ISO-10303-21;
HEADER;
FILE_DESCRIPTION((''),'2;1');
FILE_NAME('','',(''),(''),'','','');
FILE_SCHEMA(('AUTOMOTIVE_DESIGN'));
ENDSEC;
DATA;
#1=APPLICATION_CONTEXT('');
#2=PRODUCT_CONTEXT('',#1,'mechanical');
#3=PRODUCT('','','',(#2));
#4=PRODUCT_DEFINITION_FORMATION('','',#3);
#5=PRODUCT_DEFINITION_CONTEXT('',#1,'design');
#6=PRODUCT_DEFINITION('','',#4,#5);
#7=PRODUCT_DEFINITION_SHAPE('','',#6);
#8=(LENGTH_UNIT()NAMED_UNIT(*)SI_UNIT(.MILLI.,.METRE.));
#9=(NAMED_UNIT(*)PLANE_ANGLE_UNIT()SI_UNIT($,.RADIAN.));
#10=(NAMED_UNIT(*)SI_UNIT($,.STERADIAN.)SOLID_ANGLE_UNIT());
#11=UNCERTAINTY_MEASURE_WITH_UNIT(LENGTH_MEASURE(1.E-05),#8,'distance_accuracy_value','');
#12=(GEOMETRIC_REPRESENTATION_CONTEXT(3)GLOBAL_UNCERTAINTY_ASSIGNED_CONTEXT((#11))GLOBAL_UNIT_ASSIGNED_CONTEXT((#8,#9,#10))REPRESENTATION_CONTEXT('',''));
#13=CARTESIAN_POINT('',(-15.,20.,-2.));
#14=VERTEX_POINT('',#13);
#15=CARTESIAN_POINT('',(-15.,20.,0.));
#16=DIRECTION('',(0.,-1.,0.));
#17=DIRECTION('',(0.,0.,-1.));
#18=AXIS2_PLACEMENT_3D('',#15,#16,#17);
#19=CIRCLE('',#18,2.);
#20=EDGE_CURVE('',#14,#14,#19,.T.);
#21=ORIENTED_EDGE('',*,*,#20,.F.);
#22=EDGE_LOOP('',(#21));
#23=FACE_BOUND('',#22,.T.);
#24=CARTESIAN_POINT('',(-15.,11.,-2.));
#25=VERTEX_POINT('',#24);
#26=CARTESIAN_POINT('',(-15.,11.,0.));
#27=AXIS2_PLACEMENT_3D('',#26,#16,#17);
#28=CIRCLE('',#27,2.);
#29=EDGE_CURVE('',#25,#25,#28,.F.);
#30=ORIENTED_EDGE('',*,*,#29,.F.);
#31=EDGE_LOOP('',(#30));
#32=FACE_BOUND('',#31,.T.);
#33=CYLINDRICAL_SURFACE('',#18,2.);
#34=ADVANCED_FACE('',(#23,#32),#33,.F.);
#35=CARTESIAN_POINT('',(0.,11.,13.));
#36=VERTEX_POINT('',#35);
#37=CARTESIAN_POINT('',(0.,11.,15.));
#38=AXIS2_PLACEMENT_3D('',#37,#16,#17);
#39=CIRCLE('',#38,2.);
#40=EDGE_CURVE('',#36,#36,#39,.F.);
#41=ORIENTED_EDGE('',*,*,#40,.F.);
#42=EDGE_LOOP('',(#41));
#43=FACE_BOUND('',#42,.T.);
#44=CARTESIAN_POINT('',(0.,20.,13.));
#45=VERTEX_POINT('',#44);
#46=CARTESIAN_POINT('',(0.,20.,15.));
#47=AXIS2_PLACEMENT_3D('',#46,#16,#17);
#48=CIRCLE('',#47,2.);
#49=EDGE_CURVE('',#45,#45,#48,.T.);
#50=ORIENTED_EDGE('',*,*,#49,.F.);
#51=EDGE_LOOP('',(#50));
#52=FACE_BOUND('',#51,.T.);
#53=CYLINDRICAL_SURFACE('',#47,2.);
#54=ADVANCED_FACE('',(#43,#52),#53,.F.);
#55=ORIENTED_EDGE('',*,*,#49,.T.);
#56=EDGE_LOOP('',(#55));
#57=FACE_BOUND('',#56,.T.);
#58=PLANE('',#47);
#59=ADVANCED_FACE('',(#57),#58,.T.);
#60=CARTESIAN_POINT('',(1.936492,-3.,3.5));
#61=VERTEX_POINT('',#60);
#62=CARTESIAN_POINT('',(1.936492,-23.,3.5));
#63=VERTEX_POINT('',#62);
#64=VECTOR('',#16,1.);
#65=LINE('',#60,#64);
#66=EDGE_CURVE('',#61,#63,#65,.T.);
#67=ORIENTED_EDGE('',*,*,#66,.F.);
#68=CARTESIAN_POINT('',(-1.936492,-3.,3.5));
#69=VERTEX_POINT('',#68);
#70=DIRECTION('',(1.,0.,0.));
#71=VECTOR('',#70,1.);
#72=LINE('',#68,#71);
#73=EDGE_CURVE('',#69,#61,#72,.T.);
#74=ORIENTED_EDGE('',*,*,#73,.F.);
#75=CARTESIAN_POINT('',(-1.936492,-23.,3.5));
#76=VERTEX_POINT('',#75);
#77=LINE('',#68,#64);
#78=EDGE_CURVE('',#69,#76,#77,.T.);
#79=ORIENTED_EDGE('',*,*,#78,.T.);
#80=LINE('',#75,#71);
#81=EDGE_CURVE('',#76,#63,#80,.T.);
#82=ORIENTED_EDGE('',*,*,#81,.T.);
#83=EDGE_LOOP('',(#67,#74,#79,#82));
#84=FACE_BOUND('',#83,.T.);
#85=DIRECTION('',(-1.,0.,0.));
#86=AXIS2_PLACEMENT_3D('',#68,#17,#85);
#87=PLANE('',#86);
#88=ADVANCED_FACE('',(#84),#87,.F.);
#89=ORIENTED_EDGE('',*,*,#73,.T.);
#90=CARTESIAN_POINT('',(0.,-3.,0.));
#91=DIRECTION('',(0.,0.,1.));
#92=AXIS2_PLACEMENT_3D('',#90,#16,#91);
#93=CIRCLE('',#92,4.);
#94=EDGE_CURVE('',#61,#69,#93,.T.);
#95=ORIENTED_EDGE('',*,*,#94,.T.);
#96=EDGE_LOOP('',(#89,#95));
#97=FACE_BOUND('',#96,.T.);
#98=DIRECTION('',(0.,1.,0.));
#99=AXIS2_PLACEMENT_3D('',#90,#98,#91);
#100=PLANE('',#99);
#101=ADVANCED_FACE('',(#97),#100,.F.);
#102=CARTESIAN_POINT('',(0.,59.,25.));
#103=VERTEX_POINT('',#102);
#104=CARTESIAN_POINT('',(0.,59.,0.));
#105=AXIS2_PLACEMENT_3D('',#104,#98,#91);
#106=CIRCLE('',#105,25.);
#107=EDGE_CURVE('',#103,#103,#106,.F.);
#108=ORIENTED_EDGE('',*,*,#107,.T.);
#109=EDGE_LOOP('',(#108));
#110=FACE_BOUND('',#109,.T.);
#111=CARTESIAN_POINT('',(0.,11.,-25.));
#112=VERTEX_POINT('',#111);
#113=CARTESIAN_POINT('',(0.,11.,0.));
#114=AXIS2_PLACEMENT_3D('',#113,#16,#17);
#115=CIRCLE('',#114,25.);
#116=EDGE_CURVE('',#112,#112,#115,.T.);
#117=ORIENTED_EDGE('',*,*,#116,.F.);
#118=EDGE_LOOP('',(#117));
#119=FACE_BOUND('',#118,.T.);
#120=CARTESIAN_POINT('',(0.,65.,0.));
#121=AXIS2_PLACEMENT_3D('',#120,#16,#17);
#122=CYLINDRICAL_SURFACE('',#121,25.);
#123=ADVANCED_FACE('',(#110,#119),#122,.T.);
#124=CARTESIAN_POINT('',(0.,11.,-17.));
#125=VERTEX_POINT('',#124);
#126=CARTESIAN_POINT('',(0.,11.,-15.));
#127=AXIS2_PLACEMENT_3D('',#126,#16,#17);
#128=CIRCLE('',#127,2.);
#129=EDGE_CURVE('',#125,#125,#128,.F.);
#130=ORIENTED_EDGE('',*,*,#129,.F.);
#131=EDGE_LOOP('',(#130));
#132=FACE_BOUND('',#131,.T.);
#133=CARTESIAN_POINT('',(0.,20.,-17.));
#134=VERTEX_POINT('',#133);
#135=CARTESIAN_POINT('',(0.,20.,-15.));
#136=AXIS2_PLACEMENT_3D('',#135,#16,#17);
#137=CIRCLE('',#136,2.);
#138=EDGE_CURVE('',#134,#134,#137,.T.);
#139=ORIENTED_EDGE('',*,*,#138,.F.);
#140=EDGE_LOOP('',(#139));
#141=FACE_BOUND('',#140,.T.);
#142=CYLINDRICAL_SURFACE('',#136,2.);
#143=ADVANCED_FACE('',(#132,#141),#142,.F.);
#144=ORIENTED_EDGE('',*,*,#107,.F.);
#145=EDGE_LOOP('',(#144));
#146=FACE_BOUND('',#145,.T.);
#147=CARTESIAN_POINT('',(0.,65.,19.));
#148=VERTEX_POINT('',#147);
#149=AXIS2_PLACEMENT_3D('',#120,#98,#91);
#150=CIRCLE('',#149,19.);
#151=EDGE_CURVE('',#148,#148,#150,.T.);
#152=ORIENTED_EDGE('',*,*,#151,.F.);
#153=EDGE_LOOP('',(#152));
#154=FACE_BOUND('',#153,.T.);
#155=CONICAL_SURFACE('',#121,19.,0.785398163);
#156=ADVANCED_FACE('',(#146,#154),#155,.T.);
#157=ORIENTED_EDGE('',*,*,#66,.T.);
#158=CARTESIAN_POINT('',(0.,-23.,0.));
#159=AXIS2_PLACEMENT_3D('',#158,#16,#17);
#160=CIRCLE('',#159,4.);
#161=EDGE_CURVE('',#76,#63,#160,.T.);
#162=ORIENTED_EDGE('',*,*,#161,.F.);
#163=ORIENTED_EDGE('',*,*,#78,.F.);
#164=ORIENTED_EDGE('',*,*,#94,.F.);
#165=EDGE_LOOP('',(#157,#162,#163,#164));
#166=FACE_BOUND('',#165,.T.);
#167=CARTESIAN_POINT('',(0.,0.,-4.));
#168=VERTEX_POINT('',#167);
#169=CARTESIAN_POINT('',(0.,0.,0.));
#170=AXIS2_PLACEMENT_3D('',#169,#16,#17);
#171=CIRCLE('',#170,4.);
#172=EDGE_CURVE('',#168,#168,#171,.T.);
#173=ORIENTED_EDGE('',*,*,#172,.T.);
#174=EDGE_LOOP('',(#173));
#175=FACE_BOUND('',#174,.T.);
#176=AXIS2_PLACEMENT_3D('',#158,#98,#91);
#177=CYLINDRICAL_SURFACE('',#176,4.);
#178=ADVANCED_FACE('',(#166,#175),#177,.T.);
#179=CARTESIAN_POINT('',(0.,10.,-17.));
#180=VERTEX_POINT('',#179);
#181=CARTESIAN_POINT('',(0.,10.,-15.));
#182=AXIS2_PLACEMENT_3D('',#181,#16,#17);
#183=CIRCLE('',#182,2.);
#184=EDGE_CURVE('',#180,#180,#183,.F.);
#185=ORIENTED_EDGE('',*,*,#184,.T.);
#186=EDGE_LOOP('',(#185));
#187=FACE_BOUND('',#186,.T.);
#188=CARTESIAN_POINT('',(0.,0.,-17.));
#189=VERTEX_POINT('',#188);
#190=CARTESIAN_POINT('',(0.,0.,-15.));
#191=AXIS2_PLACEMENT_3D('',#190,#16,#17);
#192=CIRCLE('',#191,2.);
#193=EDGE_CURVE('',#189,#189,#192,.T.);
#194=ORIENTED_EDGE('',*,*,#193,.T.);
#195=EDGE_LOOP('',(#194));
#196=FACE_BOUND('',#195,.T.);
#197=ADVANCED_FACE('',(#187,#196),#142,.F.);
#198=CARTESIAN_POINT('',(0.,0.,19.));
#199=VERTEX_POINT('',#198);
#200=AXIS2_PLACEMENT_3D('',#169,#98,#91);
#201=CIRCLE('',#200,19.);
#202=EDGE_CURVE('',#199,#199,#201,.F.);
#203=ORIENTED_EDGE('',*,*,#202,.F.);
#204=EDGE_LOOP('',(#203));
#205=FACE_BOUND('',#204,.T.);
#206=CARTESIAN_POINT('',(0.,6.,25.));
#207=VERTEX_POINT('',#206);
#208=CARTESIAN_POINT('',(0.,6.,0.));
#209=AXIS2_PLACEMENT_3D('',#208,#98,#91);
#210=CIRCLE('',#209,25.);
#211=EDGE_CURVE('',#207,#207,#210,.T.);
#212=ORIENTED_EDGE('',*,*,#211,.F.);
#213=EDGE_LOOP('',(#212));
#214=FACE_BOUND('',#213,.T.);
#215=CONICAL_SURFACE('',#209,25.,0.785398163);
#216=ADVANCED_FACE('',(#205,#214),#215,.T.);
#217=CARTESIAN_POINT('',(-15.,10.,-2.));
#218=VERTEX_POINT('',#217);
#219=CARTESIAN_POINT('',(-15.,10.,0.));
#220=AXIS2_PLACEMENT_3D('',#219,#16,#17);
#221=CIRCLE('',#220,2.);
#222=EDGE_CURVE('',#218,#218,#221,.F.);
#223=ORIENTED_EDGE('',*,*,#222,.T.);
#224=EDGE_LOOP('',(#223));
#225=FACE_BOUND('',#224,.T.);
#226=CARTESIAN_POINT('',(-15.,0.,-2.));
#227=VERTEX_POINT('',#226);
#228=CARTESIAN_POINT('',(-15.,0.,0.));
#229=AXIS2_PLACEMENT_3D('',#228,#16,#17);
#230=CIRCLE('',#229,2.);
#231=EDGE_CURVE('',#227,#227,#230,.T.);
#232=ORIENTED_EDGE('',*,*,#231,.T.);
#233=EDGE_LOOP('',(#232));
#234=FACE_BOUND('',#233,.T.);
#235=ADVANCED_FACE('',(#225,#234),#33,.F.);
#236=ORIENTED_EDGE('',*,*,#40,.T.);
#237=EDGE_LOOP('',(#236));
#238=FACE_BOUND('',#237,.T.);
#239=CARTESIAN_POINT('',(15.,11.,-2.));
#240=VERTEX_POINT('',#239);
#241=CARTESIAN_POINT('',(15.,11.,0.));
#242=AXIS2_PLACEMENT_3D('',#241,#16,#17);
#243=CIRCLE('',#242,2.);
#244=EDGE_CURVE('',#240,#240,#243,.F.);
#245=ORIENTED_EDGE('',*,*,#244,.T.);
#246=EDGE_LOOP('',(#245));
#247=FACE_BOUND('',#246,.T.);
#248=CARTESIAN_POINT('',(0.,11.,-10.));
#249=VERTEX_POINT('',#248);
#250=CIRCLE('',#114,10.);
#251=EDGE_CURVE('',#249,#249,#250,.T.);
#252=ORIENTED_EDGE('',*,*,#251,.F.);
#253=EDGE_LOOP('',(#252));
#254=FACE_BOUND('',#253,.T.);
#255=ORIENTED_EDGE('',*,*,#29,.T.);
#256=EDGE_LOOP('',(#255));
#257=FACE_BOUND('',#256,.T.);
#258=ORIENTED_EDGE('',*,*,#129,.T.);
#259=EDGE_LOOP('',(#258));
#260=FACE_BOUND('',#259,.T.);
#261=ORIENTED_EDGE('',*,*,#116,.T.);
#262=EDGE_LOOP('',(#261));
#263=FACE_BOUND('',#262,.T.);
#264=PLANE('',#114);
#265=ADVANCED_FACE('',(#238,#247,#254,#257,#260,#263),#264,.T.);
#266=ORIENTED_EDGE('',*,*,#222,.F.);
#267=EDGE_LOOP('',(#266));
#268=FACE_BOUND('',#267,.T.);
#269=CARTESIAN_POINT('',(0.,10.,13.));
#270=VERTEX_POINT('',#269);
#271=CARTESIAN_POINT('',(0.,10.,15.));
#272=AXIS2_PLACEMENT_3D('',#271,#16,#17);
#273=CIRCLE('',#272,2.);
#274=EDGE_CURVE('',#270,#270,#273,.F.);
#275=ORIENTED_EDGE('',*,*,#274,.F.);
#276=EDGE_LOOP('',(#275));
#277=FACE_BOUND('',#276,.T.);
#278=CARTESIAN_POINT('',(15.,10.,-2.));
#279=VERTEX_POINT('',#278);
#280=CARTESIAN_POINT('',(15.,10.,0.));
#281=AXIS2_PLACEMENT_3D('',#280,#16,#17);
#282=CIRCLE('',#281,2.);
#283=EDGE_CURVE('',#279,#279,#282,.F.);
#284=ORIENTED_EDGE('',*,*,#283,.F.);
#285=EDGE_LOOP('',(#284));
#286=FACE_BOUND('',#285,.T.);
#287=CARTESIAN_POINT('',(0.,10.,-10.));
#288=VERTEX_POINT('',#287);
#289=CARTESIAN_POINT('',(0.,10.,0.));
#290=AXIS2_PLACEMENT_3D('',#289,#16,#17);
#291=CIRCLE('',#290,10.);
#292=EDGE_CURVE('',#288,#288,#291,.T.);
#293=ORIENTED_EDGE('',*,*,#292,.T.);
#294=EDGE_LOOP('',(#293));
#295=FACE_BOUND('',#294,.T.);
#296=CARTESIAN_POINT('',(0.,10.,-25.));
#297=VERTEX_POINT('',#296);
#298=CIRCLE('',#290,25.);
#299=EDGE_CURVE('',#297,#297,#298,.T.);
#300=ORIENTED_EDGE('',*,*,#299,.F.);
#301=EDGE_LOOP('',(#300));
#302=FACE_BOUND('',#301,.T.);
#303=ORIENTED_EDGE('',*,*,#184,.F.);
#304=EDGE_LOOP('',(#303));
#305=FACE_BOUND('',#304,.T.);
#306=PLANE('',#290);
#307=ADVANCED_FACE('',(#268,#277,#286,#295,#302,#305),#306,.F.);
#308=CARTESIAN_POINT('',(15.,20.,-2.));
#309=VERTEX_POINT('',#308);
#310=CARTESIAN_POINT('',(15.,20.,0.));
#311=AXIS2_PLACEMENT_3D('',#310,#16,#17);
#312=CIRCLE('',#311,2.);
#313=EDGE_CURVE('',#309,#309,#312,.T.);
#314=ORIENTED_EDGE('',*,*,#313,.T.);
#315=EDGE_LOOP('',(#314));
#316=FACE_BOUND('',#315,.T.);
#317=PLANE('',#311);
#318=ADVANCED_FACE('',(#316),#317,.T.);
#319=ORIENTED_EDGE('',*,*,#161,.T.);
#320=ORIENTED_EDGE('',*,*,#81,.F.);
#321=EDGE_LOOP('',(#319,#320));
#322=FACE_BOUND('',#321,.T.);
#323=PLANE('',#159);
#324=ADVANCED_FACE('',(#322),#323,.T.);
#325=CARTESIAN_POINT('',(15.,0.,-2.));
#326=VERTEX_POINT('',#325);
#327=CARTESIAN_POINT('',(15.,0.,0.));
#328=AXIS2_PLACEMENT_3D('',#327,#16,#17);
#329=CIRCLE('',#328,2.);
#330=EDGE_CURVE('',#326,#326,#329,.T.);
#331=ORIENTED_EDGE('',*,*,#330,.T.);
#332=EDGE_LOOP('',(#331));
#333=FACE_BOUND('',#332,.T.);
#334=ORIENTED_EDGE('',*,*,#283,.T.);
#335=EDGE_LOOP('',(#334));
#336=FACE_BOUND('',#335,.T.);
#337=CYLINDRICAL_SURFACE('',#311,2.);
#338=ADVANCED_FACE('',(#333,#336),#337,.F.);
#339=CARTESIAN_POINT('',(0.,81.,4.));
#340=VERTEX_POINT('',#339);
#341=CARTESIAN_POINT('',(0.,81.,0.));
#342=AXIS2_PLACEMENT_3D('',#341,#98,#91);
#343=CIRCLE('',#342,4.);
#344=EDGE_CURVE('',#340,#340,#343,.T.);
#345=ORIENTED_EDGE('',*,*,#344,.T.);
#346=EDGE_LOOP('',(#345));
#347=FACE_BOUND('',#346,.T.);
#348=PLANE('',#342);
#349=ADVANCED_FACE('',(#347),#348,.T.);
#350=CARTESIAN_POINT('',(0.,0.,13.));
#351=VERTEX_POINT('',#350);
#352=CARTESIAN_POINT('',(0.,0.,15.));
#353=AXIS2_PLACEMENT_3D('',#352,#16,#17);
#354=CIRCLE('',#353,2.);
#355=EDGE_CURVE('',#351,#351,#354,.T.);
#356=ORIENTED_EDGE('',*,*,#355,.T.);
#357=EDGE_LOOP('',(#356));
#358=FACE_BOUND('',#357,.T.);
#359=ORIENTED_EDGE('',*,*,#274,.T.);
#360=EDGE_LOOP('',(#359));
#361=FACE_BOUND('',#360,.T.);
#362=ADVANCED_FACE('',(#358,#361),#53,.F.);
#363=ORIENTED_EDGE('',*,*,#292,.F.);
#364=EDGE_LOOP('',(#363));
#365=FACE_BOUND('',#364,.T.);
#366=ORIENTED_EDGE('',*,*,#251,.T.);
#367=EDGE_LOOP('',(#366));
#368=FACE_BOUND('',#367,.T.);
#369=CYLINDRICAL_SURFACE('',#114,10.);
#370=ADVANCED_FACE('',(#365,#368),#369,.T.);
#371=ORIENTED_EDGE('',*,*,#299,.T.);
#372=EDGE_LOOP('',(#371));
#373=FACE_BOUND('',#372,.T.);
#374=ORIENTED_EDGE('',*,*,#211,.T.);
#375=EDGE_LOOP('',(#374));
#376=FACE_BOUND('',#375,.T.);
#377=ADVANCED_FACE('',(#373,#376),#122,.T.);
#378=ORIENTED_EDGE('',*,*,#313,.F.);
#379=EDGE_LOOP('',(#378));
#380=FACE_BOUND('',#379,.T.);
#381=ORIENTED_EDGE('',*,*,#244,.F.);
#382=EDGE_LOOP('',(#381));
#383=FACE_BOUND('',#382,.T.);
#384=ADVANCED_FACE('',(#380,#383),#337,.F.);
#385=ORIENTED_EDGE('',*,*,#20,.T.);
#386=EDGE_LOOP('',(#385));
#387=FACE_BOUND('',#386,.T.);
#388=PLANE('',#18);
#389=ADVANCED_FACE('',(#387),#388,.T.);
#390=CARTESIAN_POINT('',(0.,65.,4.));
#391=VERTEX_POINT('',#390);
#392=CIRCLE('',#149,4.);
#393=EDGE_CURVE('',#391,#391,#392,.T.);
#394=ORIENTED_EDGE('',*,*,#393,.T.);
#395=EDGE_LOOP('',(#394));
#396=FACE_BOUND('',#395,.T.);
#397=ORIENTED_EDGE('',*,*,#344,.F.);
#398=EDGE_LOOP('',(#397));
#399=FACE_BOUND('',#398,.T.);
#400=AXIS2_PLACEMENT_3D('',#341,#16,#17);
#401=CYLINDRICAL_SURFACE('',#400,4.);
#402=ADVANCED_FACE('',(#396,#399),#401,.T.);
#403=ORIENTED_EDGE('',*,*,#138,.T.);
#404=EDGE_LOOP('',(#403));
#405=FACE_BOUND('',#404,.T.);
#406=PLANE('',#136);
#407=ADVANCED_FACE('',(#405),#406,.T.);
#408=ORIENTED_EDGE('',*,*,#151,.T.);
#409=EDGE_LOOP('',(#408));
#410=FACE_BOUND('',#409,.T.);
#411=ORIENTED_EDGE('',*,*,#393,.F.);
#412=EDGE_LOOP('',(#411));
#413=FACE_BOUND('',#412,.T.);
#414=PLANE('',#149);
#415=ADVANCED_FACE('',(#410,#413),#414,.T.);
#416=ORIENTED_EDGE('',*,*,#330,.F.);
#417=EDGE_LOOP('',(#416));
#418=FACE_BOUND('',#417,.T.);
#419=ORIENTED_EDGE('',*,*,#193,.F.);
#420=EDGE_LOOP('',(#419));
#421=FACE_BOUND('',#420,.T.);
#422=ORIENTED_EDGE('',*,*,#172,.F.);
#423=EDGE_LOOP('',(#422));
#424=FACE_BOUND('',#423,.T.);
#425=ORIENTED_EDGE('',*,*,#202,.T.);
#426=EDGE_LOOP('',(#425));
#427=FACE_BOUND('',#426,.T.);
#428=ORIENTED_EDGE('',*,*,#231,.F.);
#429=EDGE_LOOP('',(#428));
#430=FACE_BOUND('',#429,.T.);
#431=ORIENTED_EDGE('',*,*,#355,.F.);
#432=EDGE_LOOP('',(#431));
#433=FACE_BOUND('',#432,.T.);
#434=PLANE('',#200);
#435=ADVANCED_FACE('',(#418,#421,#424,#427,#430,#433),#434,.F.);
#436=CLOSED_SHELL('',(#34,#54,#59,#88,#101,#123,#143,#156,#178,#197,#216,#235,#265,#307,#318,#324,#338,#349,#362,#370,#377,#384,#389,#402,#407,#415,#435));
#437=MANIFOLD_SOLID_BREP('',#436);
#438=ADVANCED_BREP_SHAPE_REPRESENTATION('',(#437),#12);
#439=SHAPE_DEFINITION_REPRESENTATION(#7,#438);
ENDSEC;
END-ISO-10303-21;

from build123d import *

# Parameters (mm, degrees)
SKETCH1_R           = 25
BOSS_EXTRUDE1_DEPTH = 65
CHAMFER1_SIZE       = 6
SKETCH2_R           = 4
BOSS_EXTRUDE2_DEPTH = 16
BOSS_EXTRUDE3_START = 23
SKETCH4_R           = 4
BOSS_EXTRUDE3_DEPTH = 23
CUT_EXTRUDE4_DEPTH  = 20
SKETCH6_R           = 2
CUT_EXTRUDE5_DEPTH  = 20
CUT_EXTRUDE6_START  = -10
SKETCH7_R           = 25
SKETCH7_R_2         = 10
CUT_EXTRUDE6_DEPTH  = 1


with BuildPart() as part:
    # Sketch1 → Boss-Extrude1 (new body)
    with BuildSketch(Plane(origin=(0, 0, 0), x_dir=(1, 0, 0), z_dir=(0, 1, 0))):
        with Locations(Location((0, 0, 0), (0, 0, 270))):
            Circle(SKETCH1_R)
    extrude(amount=BOSS_EXTRUDE1_DEPTH)

    # Chamfer1
    chamfer1_edges = [part.edges().sort_by_distance(p)[0] for p in [
        (0, 0, -25),
        (0, 65, -25),
    ]]
    chamfer(chamfer1_edges, length=CHAMFER1_SIZE)

    # Sketch2 → Boss-Extrude2 (add)
    with BuildSketch(Plane(origin=(0, 65, 0), x_dir=(1, 0, 0), z_dir=(0, 1, 0))):
        with Locations(Location((0, 0, 0), (0, 0, 270))):
            Circle(SKETCH2_R)
    extrude(amount=BOSS_EXTRUDE2_DEPTH)

    # Sketch4 → Boss-Extrude3 (add)
    with BuildSketch(Plane.XZ.offset(BOSS_EXTRUDE3_START)):
        with Locations(Location((0, 0, 0), (0, 0, 90))):
            Circle(SKETCH4_R)
    extrude(amount=-BOSS_EXTRUDE3_DEPTH)

    # Sketch5 → Cut-Extrude4 (cut)
    with BuildSketch(Plane.XZ.offset(23)):
        with BuildLine():
            Line((-1.936491673, 3.5), (1.936491673, 3.5))
            ThreePointArc((1.936491673, 3.5), (0, 4), (-1.936491673, 3.5))
        make_face()
    extrude(amount=-CUT_EXTRUDE4_DEPTH, mode=Mode.SUBTRACT)

    # Sketch6 → Cut-Extrude5 (cut)
    with BuildSketch(Plane(origin=(0, 0, 0), x_dir=(-1, 0, 0), z_dir=(0, -1, 0))):
        with Locations(Location((15, 0, 0), (0, 0, 90))):
            Circle(SKETCH6_R)
        with Locations(Location((0, -15, 0), (0, 0, 90))):
            Circle(SKETCH6_R)
        with Locations(Location((-15, 0, 0), (0, 0, 90))):
            Circle(SKETCH6_R)
        with Locations(Location((0, 15, 0), (0, 0, 90))):
            Circle(SKETCH6_R)
    extrude(amount=-CUT_EXTRUDE5_DEPTH, mode=Mode.SUBTRACT)

    # Sketch7 → Cut-Extrude6 (cut)
    with BuildSketch(Plane.XZ.offset(CUT_EXTRUDE6_START)):
        with Locations(Location((0, 0, 0), (0, 0, 270))):
            Circle(SKETCH7_R)
        with Locations(Location((0, 0, 0), (0, 0, 270))):
            Circle(SKETCH7_R_2, mode=Mode.SUBTRACT)
    extrude(amount=-CUT_EXTRUDE6_DEPTH, mode=Mode.SUBTRACT)


solid = part.part
